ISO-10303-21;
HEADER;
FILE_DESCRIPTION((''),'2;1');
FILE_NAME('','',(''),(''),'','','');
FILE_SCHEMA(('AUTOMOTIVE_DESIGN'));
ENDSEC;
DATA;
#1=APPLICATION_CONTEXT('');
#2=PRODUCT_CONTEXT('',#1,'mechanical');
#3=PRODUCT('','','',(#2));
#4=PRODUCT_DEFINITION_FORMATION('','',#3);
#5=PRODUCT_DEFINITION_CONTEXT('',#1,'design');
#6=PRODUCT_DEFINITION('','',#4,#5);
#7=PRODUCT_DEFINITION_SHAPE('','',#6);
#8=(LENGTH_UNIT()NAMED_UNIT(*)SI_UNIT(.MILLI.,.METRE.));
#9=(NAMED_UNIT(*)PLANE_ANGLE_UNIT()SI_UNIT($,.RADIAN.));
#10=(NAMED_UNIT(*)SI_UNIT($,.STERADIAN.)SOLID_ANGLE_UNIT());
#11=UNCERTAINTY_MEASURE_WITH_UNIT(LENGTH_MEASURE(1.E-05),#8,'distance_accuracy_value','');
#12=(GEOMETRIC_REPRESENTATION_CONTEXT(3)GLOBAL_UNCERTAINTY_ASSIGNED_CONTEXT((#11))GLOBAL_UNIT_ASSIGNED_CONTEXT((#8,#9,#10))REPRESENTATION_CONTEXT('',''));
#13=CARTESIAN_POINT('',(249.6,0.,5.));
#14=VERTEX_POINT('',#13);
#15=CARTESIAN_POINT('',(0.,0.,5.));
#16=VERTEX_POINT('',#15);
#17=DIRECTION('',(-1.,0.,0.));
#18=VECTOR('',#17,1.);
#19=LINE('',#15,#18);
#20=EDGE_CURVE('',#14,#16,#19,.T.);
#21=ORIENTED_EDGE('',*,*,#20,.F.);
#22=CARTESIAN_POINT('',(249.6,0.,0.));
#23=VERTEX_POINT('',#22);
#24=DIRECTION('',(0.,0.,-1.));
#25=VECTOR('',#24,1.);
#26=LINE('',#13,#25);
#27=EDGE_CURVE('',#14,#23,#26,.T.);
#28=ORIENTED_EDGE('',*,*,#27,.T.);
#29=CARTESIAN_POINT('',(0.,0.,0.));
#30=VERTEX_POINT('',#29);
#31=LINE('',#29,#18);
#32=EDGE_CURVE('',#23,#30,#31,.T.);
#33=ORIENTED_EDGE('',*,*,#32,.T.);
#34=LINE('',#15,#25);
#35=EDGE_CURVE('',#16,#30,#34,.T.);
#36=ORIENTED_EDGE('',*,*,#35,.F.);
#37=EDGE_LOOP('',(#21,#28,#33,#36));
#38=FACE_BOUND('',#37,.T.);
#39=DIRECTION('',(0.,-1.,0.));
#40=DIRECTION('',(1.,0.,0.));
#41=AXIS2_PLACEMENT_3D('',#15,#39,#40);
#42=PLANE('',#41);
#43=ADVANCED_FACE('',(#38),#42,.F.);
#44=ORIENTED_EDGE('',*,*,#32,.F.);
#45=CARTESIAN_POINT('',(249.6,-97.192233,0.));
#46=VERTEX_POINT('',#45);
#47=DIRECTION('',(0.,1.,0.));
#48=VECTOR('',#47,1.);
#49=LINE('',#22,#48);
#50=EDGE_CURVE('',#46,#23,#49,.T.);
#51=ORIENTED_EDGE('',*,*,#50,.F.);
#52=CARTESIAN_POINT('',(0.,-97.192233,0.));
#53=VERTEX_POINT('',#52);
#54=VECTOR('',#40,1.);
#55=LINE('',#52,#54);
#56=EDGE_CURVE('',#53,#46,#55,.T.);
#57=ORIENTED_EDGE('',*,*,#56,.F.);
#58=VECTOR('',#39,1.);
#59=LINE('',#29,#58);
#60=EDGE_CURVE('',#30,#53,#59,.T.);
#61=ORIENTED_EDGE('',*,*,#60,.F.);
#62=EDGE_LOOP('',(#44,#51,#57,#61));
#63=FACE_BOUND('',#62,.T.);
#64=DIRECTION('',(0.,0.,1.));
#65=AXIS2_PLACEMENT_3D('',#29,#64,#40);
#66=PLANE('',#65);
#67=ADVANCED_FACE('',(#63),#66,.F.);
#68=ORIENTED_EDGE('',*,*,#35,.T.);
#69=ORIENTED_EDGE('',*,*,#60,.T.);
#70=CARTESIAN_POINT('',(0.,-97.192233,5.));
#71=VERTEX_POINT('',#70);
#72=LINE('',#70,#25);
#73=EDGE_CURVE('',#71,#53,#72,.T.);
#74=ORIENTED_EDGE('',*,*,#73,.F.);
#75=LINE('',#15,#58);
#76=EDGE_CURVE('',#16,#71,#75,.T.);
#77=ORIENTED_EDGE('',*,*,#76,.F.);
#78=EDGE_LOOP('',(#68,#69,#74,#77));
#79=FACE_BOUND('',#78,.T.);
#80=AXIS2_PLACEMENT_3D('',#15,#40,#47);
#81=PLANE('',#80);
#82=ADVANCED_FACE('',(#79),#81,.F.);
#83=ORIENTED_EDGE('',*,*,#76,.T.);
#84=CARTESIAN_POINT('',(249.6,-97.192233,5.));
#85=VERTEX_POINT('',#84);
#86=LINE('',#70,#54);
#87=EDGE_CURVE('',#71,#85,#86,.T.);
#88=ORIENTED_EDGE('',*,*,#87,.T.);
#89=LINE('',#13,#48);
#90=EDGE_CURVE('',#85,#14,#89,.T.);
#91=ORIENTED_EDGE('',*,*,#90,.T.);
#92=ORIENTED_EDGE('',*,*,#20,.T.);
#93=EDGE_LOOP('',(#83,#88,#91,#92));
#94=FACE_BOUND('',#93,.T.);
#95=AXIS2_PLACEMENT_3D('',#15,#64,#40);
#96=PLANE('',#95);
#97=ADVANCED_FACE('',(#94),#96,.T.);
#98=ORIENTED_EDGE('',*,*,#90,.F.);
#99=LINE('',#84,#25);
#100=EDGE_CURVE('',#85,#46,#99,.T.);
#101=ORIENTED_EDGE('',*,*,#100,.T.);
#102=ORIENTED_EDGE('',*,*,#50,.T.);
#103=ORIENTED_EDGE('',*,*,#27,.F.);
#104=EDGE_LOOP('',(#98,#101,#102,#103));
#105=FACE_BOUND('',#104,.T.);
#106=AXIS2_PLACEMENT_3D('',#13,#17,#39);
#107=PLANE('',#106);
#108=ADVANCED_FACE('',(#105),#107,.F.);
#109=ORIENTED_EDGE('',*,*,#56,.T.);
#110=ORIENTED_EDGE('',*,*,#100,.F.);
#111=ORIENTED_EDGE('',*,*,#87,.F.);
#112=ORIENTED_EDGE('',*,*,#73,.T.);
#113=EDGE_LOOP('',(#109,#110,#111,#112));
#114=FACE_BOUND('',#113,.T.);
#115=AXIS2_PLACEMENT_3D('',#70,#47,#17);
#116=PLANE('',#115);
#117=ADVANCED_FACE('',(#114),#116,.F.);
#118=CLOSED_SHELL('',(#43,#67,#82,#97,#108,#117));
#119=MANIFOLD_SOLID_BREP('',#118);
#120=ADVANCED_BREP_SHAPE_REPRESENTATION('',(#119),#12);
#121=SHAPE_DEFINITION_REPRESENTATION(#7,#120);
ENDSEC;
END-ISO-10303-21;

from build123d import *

# Parameters (mm, degrees)
SKETCH1_W           = 249.6
SKETCH1_H           = 97.192233147
BOSS_EXTRUDE1_DEPTH = 5


with BuildPart() as part:
    # Sketch1 → Boss-Extrude1 (new body)
    with BuildSketch(Plane.XY):
        with Locations((124.8, -48.596116574)):
            Rectangle(SKETCH1_W, SKETCH1_H)
    extrude(amount=BOSS_EXTRUDE1_DEPTH)


solid = part.part
